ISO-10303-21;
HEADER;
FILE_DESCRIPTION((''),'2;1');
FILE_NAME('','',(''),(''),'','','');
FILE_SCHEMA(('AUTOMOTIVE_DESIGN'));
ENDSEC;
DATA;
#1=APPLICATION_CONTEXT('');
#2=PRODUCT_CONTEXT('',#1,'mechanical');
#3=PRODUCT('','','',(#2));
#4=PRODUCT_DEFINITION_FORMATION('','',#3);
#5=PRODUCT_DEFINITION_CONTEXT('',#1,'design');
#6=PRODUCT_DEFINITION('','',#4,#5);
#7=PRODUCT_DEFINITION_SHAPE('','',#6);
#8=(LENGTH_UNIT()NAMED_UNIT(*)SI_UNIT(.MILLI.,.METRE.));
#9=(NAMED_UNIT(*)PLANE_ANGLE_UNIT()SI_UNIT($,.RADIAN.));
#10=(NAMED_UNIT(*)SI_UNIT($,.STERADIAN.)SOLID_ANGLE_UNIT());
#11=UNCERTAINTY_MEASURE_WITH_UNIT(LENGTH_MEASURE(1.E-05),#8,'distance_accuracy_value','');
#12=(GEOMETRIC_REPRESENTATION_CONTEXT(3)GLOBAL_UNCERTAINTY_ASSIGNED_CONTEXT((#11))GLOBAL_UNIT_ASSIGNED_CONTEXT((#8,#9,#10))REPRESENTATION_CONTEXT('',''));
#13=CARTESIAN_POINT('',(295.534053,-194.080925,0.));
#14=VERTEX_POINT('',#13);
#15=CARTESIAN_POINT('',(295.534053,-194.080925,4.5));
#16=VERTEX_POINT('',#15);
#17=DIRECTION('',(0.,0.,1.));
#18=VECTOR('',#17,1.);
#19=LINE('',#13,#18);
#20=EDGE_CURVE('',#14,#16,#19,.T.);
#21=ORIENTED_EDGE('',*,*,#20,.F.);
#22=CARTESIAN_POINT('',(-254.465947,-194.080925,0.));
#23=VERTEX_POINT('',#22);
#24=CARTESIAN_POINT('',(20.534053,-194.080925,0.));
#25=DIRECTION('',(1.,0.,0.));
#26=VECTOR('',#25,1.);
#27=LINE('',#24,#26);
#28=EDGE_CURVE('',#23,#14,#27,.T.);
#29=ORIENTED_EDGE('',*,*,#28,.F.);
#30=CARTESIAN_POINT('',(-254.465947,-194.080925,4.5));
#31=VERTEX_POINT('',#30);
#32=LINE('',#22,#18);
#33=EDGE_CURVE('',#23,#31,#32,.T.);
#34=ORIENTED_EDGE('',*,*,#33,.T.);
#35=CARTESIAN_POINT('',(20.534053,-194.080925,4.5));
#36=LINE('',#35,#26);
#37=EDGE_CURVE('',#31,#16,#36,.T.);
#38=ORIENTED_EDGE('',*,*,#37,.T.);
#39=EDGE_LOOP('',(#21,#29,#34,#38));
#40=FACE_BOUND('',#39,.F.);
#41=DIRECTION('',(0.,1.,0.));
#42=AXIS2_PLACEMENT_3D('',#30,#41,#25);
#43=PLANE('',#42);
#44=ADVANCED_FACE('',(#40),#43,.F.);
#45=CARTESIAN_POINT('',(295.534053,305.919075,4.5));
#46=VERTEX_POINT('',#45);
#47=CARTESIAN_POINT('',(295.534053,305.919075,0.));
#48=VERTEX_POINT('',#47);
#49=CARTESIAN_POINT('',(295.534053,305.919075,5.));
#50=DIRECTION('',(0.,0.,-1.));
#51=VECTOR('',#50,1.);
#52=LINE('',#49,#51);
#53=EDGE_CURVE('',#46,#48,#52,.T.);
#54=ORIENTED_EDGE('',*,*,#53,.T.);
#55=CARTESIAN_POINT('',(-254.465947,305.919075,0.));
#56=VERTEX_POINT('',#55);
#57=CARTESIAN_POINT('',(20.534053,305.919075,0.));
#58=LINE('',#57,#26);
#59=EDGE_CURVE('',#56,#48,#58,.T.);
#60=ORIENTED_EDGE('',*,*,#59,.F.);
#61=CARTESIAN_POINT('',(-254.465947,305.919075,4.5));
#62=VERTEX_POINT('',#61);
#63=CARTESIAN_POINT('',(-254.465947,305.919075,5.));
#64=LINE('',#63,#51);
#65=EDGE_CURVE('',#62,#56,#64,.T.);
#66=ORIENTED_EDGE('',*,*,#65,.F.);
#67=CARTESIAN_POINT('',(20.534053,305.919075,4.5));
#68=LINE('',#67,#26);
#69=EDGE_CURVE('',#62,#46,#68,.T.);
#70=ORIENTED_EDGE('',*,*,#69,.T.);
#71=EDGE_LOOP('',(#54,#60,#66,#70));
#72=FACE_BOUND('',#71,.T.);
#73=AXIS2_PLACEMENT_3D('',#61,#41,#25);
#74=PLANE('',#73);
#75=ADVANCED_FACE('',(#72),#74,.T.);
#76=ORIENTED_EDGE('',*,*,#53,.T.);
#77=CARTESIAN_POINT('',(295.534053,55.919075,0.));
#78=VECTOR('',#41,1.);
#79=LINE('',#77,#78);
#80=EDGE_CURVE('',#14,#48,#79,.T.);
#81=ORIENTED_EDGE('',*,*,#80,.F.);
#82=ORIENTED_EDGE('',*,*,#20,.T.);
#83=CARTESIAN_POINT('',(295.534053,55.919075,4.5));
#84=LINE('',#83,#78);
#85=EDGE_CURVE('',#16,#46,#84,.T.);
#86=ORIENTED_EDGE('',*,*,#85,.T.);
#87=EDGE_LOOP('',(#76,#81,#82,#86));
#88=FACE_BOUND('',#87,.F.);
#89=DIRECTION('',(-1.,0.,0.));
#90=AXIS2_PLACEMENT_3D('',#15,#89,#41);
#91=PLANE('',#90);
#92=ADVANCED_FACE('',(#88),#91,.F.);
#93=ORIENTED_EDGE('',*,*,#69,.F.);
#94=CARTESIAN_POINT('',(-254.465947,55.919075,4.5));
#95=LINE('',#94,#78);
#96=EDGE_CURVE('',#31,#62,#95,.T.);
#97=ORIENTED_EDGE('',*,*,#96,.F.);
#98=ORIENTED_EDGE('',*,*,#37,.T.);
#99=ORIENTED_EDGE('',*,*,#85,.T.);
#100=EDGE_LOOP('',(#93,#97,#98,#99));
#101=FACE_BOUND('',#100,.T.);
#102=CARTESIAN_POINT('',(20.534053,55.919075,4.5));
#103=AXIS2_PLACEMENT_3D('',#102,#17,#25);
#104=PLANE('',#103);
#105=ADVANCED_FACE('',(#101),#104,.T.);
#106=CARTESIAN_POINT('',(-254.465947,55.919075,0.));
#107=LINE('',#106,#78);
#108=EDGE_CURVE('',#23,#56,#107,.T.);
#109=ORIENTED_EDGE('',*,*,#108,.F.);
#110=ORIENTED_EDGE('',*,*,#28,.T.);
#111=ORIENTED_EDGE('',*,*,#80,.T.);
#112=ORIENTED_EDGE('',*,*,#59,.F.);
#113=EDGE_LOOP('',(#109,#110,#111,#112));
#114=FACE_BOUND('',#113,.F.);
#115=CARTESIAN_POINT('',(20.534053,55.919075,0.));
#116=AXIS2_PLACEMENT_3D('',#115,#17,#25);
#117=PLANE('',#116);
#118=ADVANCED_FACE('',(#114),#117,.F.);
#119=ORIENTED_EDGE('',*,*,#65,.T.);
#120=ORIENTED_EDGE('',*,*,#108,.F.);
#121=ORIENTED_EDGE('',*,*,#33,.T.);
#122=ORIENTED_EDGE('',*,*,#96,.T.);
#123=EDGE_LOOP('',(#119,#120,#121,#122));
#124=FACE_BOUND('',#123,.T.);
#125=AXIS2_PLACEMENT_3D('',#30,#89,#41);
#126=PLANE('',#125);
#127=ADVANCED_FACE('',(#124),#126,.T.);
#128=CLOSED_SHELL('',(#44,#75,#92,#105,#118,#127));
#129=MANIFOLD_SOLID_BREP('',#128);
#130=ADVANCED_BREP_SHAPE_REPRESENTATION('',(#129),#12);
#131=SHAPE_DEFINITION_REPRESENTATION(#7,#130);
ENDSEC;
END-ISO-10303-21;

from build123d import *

# Parameters (mm, degrees)
F0_W     = 550
F0_H     = 500
F1_DEPTH = 4
F2_DEPTH = 0.5
F3_DEPTH = 0.5
F4_DEPTH = 0.5


with BuildPart() as f1:
    # F0 (on Top) → F1 (new body)
    with BuildSketch(Plane.XY):
        with Locations((20.5340534449, 55.919075012)):
            Rectangle(F0_W, F0_H)
    extrude(amount=F1_DEPTH)

    # F2 (add): a face of the model
    f2_faces = [f1.faces().sort_by_distance(p)[0] for p in [
        (20.5340534449, 55.919075012, 4),
    ]]
    extrude(f2_faces, amount=F2_DEPTH)

    # F3 (add): a face of the model
    f3_faces = [f1.faces().sort_by_distance(p)[0] for p in [
        (20.5340534449, 55.919075012, 4.5),
    ]]
    extrude(f3_faces, amount=F3_DEPTH)

    # F4 (cut): a face of the model
    f4_faces = [f1.faces().sort_by_distance(p)[0] for p in [
        (20.5340534449, 55.919075012, 5),
    ]]
    extrude(f4_faces, amount=-F4_DEPTH, mode=Mode.SUBTRACT)


solid = f1.part
